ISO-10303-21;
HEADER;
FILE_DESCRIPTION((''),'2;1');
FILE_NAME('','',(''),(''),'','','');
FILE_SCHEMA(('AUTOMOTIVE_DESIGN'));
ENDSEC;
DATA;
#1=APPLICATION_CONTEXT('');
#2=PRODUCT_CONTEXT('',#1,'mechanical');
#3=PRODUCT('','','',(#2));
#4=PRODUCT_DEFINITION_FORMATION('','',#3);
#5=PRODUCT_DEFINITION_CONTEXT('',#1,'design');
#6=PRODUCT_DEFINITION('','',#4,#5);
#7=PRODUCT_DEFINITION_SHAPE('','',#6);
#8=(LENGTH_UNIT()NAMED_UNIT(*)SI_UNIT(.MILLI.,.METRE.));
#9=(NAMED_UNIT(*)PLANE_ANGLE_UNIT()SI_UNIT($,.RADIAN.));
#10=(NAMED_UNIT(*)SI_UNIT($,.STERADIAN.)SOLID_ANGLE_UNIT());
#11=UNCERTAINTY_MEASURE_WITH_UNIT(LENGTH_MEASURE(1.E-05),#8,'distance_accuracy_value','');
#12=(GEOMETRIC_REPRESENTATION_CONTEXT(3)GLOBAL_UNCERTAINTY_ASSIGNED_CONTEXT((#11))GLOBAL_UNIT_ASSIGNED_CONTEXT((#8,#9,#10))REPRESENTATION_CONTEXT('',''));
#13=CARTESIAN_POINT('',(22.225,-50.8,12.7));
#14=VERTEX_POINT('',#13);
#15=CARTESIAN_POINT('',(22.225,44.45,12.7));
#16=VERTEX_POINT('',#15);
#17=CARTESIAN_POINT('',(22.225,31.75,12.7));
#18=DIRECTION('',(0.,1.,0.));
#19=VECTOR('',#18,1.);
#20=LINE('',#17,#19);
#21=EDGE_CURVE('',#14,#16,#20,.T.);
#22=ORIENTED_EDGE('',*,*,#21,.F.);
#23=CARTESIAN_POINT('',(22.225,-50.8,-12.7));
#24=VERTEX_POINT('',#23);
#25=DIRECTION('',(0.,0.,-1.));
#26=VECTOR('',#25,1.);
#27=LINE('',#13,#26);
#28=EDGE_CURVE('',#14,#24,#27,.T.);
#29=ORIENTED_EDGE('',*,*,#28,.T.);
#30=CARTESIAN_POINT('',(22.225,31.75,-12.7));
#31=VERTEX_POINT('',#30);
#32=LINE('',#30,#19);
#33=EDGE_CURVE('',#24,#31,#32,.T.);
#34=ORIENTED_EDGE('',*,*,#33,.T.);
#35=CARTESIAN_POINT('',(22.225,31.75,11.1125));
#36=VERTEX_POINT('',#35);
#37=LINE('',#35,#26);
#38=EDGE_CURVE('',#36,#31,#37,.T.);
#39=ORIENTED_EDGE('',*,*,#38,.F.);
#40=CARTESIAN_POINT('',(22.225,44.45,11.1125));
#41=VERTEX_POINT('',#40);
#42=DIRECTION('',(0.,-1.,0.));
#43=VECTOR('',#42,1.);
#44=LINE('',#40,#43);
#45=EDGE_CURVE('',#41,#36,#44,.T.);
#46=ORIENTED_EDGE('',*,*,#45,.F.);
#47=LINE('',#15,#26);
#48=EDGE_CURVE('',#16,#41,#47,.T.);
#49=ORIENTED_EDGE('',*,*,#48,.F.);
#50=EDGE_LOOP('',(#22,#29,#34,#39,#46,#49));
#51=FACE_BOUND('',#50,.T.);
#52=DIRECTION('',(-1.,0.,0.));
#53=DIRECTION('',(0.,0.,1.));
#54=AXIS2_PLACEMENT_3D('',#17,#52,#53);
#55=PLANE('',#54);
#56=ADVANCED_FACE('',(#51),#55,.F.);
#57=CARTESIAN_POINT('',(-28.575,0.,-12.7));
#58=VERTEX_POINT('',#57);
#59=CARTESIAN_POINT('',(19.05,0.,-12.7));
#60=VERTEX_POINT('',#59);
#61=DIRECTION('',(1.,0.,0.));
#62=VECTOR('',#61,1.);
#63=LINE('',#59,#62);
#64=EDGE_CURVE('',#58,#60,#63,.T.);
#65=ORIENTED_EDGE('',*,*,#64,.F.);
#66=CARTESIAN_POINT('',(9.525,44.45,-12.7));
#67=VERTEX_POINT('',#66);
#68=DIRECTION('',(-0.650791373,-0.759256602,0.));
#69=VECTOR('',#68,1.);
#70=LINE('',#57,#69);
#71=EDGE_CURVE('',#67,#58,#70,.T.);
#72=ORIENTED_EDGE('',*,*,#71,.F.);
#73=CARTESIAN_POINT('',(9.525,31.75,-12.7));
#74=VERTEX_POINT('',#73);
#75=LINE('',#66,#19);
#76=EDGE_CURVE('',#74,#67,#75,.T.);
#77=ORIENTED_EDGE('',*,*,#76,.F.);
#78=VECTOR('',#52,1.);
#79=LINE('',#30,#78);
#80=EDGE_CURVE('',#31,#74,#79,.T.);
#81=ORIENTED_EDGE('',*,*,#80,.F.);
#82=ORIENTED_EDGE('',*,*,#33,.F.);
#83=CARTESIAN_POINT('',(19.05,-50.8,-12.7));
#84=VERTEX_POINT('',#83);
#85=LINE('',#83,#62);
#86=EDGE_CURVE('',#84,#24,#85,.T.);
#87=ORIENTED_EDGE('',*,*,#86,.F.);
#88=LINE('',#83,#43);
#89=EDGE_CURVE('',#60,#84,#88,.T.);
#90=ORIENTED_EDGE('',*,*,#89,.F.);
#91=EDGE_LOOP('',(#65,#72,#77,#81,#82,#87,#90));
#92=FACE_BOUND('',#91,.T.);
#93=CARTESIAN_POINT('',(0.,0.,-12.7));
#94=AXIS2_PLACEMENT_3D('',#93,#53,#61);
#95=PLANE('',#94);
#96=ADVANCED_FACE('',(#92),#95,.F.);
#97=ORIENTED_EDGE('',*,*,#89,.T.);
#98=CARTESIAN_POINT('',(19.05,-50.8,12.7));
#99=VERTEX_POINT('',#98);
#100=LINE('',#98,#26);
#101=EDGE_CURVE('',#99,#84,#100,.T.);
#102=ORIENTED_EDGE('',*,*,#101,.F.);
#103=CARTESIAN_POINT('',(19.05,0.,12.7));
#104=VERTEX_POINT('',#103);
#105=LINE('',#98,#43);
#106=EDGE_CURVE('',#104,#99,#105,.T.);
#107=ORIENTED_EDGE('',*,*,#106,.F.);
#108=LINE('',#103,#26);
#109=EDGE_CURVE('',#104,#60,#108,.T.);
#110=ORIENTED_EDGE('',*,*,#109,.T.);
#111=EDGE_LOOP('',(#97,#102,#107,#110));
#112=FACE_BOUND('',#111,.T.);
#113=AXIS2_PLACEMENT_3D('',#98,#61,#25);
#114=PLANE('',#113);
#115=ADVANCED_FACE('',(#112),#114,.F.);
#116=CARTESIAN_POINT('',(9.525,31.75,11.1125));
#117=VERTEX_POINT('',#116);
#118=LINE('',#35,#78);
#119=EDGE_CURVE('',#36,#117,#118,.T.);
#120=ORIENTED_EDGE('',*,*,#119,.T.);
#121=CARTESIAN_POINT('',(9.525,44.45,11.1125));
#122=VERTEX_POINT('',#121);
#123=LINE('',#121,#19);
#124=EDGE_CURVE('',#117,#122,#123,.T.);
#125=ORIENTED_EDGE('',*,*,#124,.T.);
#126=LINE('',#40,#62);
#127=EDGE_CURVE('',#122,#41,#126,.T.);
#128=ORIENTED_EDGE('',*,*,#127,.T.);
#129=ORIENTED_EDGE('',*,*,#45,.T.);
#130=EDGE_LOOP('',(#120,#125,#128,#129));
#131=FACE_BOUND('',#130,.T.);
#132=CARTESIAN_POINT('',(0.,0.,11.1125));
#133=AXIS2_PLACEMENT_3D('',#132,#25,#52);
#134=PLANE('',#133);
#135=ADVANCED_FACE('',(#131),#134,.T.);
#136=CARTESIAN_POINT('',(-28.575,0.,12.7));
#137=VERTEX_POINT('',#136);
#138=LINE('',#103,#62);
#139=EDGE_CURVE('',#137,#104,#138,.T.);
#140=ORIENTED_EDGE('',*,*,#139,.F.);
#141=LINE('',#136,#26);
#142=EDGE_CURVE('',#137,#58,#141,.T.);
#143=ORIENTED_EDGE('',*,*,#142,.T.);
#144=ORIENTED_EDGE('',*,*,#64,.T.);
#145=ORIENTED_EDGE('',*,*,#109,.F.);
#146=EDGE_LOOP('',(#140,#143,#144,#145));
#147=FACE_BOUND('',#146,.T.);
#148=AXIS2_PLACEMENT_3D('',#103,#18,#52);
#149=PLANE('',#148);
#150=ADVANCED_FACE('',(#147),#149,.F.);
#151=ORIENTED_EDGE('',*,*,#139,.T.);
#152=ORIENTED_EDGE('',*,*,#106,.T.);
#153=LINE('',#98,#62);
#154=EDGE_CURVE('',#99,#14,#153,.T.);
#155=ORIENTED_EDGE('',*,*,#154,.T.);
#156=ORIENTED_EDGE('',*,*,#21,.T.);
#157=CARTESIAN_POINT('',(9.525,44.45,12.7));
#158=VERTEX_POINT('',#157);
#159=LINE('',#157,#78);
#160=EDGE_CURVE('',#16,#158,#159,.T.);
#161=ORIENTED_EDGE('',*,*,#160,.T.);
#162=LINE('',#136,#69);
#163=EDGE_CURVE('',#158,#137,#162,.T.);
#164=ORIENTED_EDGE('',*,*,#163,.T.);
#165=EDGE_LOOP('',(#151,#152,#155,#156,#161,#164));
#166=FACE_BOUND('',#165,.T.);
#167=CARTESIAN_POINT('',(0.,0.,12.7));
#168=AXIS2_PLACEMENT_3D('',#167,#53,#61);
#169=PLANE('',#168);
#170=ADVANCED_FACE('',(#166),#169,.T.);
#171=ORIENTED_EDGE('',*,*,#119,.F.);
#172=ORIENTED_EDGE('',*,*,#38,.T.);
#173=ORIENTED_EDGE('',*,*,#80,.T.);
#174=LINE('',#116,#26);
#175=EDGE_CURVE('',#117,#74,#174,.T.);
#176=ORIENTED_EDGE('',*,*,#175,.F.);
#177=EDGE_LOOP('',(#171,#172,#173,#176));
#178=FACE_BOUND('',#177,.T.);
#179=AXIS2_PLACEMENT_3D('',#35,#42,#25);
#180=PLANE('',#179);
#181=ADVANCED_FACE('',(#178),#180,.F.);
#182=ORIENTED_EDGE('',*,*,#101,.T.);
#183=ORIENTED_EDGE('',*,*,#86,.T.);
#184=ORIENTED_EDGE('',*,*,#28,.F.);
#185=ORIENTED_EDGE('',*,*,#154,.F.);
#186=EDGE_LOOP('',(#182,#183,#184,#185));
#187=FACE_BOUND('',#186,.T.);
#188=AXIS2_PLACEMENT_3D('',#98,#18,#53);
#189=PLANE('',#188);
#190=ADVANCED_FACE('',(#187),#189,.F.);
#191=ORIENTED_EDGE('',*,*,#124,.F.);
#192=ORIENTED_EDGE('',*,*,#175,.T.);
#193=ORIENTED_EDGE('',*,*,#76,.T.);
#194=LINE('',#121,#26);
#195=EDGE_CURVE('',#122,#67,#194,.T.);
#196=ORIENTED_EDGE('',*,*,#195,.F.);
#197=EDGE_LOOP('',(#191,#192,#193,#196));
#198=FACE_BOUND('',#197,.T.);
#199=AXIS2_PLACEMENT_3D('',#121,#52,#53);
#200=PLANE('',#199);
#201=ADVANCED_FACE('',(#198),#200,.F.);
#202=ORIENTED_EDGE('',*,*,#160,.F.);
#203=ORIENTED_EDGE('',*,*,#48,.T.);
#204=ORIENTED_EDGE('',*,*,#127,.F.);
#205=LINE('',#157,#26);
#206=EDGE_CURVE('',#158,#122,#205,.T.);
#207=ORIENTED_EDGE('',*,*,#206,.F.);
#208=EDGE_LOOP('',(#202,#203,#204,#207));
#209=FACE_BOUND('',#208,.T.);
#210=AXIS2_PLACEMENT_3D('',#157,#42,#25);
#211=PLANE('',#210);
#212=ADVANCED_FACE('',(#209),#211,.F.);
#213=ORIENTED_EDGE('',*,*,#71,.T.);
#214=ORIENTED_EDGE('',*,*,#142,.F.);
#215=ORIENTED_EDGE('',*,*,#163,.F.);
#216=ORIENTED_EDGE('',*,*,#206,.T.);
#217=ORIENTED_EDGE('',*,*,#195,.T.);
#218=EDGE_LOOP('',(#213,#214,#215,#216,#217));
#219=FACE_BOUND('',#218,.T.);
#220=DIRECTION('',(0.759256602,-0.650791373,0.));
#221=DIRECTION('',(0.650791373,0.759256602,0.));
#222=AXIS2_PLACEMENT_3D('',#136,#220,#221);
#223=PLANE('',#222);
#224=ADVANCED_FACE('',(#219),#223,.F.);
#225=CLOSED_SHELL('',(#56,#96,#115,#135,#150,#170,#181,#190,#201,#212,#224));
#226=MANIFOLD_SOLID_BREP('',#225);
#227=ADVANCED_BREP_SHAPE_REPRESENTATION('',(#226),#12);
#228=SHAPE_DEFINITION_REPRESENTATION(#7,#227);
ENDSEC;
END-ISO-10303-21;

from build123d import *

# Parameters (mm, degrees)
BOSS_EXTRUDE1_DEPTH = 12.7
SKETCH2_W           = 12.7
SKETCH2_H           = 12.7
CUT_EXTRUDE1_DEPTH  = 23.8125


with BuildPart() as part:
    # Sketch1 → Boss-Extrude1 (new, symmetric)
    with BuildSketch(Plane.XY):
        Polygon((19.05, -50.8), (19.05, 0), (-28.575, 0), (9.525, 44.45), (22.225, 44.45), (22.225, 31.75), (22.225, -50.8), align=None)
    extrude(amount=BOSS_EXTRUDE1_DEPTH, both=True)

    # Sketch2 → Cut-Extrude1 (cut)
    with BuildSketch(Plane(origin=(0, 0, -12.7), x_dir=(-1, 0, 0), z_dir=(0, 0, -1))):
        with Locations((-15.875, 38.1)):
            Rectangle(SKETCH2_W, SKETCH2_H)
    extrude(amount=-CUT_EXTRUDE1_DEPTH, mode=Mode.SUBTRACT)


solid = part.part
